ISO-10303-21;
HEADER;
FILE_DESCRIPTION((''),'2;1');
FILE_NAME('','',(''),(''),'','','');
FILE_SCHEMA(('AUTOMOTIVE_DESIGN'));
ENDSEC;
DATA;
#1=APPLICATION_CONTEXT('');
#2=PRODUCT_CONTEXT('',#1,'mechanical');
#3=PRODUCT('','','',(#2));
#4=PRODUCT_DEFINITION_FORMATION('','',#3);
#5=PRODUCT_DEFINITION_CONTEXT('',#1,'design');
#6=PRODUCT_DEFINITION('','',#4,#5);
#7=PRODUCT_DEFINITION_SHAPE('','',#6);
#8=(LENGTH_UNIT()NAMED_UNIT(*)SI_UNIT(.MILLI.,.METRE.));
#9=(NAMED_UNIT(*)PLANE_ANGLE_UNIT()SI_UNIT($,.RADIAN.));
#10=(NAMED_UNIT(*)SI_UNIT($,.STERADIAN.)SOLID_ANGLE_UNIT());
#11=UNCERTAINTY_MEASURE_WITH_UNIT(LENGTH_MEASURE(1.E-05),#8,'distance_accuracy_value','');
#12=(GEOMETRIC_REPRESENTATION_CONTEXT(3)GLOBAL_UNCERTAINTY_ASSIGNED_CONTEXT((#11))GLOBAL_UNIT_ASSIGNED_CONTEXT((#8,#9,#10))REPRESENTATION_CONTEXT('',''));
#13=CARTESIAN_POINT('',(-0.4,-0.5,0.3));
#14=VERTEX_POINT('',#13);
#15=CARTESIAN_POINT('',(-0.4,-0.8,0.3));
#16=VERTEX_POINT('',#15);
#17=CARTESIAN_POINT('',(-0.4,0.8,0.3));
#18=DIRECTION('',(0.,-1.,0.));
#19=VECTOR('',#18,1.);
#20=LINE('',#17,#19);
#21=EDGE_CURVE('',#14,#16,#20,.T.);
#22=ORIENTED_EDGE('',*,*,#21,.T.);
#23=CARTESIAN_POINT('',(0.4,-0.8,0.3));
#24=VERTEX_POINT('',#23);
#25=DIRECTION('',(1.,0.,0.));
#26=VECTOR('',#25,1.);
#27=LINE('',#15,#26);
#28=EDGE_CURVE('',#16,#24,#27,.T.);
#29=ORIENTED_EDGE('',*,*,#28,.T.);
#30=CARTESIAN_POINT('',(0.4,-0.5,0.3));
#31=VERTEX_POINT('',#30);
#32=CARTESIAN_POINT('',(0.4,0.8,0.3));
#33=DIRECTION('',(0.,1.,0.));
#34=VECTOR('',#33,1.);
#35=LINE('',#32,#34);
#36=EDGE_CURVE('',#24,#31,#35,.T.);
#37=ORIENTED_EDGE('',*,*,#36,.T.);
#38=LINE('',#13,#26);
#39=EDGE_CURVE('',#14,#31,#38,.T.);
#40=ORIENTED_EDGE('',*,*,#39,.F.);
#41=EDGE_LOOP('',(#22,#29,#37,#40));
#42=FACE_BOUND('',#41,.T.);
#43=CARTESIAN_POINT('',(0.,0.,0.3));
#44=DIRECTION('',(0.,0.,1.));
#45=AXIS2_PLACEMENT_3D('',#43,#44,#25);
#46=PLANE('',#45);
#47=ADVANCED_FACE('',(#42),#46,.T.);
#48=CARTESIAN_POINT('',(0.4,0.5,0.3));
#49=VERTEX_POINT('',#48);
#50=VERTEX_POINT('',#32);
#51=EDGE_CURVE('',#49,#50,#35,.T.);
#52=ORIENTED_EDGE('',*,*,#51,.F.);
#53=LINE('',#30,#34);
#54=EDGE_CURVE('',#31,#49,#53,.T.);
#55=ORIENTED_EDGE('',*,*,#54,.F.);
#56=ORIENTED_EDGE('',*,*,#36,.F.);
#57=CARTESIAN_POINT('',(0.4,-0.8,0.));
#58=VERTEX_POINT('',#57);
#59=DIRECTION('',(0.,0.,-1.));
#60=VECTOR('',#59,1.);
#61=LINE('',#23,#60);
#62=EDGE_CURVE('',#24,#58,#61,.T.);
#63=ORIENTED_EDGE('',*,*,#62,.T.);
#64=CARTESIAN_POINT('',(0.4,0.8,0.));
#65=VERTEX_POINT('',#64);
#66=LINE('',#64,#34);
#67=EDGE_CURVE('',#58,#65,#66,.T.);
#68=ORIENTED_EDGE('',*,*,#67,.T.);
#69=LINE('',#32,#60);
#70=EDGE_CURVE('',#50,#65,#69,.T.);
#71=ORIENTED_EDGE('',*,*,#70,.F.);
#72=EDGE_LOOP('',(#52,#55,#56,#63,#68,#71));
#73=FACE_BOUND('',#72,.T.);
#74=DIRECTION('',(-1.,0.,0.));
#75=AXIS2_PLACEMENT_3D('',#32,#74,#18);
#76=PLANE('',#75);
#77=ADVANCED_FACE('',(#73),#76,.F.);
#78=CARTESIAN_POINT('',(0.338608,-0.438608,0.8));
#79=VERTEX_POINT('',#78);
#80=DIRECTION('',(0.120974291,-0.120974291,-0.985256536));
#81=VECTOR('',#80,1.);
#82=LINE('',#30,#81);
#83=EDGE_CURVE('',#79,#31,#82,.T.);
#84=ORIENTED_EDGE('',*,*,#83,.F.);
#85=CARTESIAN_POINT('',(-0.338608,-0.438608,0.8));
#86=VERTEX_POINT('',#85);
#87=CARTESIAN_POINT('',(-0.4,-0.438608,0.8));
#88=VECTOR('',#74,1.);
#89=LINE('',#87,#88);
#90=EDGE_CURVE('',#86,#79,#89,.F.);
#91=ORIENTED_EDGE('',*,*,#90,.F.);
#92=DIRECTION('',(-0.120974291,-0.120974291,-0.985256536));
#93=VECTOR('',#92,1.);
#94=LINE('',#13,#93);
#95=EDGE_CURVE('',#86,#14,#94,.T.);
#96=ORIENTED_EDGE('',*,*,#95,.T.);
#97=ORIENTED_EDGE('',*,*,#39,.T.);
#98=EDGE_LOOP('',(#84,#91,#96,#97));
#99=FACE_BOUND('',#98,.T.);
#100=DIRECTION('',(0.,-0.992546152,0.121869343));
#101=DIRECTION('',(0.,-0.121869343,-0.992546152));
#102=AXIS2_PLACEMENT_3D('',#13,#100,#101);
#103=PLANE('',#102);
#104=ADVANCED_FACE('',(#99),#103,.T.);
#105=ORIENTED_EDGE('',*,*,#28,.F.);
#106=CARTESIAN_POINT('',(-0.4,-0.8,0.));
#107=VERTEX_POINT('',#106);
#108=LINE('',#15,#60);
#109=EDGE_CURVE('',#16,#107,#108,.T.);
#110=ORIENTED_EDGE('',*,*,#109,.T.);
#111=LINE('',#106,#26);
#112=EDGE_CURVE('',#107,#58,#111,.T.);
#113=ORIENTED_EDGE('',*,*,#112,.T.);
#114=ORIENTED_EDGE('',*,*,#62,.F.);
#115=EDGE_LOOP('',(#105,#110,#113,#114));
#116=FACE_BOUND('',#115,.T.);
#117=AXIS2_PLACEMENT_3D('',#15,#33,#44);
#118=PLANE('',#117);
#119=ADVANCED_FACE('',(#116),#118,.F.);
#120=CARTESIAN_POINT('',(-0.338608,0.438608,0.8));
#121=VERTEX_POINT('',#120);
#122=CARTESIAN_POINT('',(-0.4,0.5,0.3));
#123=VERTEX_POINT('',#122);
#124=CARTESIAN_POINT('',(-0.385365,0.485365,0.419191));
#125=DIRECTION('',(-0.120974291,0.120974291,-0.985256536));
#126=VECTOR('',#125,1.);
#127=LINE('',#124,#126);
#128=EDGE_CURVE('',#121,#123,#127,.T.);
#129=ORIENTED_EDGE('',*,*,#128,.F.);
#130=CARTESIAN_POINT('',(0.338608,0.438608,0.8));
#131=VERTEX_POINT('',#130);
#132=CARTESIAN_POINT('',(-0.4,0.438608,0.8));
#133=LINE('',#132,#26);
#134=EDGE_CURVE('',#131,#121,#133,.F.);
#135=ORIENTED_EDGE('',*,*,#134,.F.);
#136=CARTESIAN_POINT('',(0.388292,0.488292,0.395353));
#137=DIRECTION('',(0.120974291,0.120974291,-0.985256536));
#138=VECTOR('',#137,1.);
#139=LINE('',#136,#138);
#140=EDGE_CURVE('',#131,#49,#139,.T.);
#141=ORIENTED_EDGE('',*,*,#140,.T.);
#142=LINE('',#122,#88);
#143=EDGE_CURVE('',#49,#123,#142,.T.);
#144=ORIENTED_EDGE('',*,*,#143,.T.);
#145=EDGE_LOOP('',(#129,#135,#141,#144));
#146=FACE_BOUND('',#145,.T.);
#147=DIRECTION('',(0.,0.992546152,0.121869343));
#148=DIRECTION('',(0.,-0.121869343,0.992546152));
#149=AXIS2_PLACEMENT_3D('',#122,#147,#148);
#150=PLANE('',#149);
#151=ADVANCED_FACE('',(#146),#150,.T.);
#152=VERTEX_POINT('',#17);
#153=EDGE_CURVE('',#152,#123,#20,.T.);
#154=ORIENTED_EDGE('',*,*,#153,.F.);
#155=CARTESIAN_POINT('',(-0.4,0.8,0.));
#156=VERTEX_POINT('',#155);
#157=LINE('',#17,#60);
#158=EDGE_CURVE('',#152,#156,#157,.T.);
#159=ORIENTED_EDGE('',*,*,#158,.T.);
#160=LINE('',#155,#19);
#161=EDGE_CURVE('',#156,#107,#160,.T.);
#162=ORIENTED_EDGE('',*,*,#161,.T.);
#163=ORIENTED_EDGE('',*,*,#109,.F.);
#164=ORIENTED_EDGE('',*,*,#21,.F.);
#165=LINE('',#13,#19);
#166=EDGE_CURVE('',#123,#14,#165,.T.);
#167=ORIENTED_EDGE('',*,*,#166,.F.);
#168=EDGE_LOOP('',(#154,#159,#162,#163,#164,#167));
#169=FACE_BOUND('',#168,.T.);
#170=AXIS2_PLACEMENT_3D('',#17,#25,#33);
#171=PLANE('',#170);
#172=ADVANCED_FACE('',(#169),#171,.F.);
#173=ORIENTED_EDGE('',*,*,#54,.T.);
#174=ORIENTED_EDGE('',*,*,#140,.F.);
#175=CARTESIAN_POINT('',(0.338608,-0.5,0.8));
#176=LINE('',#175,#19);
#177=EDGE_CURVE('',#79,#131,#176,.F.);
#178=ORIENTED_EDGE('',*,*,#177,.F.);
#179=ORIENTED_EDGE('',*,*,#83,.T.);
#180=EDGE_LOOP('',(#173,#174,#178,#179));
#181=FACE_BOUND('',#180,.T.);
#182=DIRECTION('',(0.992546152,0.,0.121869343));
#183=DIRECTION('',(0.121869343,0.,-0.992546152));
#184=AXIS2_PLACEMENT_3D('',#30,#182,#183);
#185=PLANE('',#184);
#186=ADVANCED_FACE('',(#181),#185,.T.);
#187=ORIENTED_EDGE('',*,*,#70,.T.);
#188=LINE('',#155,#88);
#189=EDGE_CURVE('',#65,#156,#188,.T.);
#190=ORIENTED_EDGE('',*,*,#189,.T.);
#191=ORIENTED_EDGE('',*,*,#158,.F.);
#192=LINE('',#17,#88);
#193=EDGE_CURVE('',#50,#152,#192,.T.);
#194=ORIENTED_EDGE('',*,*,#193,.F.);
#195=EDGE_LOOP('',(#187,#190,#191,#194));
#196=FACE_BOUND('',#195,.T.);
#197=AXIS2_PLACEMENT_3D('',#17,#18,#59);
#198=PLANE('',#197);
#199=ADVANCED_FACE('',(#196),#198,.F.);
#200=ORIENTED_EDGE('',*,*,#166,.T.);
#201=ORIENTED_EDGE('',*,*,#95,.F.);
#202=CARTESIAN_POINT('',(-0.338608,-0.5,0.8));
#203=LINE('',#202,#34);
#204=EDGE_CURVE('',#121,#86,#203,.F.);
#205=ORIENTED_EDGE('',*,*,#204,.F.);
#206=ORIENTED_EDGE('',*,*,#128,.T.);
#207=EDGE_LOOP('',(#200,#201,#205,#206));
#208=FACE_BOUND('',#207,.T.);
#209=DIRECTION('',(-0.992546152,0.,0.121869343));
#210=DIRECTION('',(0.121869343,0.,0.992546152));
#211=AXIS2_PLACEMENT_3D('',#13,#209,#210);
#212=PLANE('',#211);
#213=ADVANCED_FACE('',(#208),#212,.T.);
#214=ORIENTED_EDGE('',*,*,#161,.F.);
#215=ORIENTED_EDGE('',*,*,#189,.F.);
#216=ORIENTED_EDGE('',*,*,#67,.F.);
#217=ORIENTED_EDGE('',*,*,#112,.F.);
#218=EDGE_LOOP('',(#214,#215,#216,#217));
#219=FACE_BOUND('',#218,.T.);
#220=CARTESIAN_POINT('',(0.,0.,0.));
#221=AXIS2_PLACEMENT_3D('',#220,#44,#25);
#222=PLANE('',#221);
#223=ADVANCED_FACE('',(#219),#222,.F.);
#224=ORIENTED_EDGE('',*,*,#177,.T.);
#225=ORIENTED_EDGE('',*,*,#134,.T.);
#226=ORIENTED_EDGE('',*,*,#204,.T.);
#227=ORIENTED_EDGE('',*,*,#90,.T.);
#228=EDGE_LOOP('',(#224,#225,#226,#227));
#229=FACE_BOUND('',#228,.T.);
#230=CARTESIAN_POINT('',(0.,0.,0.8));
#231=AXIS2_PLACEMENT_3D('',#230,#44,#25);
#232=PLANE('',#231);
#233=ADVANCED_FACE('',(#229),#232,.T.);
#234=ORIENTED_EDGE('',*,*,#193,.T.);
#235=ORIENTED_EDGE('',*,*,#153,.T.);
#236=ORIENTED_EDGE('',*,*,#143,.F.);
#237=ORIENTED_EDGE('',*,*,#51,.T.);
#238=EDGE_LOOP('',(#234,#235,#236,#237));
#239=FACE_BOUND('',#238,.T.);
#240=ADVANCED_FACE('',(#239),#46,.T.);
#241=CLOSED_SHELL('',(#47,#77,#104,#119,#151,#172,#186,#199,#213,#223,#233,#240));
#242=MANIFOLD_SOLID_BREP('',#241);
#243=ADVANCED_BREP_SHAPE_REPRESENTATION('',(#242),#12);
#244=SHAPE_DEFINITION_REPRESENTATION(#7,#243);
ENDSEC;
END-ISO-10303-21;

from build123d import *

# Parameters (mm, degrees)
SKETCH1_W           = 0.8
SKETCH1_H           = 1.6
BOSS_EXTRUDE1_DEPTH = 0.3
SKETCH3_W           = 0.8
SKETCH3_H           = 1
BOSS_EXTRUDE3_DEPTH = 0.5
BOSS_EXTRUDE3_TAPER = 7


with BuildPart() as part:
    # Sketch1 → Boss-Extrude1 (new body)
    with BuildSketch(Plane.XY):
        Rectangle(SKETCH1_W, SKETCH1_H)
    extrude(amount=BOSS_EXTRUDE1_DEPTH)

    # Sketch3 → Boss-Extrude3 (add)
    with BuildSketch(Plane.XY.offset(0.3)):
        Rectangle(SKETCH3_W, SKETCH3_H)
    extrude(amount=BOSS_EXTRUDE3_DEPTH, taper=BOSS_EXTRUDE3_TAPER)


solid = part.part
